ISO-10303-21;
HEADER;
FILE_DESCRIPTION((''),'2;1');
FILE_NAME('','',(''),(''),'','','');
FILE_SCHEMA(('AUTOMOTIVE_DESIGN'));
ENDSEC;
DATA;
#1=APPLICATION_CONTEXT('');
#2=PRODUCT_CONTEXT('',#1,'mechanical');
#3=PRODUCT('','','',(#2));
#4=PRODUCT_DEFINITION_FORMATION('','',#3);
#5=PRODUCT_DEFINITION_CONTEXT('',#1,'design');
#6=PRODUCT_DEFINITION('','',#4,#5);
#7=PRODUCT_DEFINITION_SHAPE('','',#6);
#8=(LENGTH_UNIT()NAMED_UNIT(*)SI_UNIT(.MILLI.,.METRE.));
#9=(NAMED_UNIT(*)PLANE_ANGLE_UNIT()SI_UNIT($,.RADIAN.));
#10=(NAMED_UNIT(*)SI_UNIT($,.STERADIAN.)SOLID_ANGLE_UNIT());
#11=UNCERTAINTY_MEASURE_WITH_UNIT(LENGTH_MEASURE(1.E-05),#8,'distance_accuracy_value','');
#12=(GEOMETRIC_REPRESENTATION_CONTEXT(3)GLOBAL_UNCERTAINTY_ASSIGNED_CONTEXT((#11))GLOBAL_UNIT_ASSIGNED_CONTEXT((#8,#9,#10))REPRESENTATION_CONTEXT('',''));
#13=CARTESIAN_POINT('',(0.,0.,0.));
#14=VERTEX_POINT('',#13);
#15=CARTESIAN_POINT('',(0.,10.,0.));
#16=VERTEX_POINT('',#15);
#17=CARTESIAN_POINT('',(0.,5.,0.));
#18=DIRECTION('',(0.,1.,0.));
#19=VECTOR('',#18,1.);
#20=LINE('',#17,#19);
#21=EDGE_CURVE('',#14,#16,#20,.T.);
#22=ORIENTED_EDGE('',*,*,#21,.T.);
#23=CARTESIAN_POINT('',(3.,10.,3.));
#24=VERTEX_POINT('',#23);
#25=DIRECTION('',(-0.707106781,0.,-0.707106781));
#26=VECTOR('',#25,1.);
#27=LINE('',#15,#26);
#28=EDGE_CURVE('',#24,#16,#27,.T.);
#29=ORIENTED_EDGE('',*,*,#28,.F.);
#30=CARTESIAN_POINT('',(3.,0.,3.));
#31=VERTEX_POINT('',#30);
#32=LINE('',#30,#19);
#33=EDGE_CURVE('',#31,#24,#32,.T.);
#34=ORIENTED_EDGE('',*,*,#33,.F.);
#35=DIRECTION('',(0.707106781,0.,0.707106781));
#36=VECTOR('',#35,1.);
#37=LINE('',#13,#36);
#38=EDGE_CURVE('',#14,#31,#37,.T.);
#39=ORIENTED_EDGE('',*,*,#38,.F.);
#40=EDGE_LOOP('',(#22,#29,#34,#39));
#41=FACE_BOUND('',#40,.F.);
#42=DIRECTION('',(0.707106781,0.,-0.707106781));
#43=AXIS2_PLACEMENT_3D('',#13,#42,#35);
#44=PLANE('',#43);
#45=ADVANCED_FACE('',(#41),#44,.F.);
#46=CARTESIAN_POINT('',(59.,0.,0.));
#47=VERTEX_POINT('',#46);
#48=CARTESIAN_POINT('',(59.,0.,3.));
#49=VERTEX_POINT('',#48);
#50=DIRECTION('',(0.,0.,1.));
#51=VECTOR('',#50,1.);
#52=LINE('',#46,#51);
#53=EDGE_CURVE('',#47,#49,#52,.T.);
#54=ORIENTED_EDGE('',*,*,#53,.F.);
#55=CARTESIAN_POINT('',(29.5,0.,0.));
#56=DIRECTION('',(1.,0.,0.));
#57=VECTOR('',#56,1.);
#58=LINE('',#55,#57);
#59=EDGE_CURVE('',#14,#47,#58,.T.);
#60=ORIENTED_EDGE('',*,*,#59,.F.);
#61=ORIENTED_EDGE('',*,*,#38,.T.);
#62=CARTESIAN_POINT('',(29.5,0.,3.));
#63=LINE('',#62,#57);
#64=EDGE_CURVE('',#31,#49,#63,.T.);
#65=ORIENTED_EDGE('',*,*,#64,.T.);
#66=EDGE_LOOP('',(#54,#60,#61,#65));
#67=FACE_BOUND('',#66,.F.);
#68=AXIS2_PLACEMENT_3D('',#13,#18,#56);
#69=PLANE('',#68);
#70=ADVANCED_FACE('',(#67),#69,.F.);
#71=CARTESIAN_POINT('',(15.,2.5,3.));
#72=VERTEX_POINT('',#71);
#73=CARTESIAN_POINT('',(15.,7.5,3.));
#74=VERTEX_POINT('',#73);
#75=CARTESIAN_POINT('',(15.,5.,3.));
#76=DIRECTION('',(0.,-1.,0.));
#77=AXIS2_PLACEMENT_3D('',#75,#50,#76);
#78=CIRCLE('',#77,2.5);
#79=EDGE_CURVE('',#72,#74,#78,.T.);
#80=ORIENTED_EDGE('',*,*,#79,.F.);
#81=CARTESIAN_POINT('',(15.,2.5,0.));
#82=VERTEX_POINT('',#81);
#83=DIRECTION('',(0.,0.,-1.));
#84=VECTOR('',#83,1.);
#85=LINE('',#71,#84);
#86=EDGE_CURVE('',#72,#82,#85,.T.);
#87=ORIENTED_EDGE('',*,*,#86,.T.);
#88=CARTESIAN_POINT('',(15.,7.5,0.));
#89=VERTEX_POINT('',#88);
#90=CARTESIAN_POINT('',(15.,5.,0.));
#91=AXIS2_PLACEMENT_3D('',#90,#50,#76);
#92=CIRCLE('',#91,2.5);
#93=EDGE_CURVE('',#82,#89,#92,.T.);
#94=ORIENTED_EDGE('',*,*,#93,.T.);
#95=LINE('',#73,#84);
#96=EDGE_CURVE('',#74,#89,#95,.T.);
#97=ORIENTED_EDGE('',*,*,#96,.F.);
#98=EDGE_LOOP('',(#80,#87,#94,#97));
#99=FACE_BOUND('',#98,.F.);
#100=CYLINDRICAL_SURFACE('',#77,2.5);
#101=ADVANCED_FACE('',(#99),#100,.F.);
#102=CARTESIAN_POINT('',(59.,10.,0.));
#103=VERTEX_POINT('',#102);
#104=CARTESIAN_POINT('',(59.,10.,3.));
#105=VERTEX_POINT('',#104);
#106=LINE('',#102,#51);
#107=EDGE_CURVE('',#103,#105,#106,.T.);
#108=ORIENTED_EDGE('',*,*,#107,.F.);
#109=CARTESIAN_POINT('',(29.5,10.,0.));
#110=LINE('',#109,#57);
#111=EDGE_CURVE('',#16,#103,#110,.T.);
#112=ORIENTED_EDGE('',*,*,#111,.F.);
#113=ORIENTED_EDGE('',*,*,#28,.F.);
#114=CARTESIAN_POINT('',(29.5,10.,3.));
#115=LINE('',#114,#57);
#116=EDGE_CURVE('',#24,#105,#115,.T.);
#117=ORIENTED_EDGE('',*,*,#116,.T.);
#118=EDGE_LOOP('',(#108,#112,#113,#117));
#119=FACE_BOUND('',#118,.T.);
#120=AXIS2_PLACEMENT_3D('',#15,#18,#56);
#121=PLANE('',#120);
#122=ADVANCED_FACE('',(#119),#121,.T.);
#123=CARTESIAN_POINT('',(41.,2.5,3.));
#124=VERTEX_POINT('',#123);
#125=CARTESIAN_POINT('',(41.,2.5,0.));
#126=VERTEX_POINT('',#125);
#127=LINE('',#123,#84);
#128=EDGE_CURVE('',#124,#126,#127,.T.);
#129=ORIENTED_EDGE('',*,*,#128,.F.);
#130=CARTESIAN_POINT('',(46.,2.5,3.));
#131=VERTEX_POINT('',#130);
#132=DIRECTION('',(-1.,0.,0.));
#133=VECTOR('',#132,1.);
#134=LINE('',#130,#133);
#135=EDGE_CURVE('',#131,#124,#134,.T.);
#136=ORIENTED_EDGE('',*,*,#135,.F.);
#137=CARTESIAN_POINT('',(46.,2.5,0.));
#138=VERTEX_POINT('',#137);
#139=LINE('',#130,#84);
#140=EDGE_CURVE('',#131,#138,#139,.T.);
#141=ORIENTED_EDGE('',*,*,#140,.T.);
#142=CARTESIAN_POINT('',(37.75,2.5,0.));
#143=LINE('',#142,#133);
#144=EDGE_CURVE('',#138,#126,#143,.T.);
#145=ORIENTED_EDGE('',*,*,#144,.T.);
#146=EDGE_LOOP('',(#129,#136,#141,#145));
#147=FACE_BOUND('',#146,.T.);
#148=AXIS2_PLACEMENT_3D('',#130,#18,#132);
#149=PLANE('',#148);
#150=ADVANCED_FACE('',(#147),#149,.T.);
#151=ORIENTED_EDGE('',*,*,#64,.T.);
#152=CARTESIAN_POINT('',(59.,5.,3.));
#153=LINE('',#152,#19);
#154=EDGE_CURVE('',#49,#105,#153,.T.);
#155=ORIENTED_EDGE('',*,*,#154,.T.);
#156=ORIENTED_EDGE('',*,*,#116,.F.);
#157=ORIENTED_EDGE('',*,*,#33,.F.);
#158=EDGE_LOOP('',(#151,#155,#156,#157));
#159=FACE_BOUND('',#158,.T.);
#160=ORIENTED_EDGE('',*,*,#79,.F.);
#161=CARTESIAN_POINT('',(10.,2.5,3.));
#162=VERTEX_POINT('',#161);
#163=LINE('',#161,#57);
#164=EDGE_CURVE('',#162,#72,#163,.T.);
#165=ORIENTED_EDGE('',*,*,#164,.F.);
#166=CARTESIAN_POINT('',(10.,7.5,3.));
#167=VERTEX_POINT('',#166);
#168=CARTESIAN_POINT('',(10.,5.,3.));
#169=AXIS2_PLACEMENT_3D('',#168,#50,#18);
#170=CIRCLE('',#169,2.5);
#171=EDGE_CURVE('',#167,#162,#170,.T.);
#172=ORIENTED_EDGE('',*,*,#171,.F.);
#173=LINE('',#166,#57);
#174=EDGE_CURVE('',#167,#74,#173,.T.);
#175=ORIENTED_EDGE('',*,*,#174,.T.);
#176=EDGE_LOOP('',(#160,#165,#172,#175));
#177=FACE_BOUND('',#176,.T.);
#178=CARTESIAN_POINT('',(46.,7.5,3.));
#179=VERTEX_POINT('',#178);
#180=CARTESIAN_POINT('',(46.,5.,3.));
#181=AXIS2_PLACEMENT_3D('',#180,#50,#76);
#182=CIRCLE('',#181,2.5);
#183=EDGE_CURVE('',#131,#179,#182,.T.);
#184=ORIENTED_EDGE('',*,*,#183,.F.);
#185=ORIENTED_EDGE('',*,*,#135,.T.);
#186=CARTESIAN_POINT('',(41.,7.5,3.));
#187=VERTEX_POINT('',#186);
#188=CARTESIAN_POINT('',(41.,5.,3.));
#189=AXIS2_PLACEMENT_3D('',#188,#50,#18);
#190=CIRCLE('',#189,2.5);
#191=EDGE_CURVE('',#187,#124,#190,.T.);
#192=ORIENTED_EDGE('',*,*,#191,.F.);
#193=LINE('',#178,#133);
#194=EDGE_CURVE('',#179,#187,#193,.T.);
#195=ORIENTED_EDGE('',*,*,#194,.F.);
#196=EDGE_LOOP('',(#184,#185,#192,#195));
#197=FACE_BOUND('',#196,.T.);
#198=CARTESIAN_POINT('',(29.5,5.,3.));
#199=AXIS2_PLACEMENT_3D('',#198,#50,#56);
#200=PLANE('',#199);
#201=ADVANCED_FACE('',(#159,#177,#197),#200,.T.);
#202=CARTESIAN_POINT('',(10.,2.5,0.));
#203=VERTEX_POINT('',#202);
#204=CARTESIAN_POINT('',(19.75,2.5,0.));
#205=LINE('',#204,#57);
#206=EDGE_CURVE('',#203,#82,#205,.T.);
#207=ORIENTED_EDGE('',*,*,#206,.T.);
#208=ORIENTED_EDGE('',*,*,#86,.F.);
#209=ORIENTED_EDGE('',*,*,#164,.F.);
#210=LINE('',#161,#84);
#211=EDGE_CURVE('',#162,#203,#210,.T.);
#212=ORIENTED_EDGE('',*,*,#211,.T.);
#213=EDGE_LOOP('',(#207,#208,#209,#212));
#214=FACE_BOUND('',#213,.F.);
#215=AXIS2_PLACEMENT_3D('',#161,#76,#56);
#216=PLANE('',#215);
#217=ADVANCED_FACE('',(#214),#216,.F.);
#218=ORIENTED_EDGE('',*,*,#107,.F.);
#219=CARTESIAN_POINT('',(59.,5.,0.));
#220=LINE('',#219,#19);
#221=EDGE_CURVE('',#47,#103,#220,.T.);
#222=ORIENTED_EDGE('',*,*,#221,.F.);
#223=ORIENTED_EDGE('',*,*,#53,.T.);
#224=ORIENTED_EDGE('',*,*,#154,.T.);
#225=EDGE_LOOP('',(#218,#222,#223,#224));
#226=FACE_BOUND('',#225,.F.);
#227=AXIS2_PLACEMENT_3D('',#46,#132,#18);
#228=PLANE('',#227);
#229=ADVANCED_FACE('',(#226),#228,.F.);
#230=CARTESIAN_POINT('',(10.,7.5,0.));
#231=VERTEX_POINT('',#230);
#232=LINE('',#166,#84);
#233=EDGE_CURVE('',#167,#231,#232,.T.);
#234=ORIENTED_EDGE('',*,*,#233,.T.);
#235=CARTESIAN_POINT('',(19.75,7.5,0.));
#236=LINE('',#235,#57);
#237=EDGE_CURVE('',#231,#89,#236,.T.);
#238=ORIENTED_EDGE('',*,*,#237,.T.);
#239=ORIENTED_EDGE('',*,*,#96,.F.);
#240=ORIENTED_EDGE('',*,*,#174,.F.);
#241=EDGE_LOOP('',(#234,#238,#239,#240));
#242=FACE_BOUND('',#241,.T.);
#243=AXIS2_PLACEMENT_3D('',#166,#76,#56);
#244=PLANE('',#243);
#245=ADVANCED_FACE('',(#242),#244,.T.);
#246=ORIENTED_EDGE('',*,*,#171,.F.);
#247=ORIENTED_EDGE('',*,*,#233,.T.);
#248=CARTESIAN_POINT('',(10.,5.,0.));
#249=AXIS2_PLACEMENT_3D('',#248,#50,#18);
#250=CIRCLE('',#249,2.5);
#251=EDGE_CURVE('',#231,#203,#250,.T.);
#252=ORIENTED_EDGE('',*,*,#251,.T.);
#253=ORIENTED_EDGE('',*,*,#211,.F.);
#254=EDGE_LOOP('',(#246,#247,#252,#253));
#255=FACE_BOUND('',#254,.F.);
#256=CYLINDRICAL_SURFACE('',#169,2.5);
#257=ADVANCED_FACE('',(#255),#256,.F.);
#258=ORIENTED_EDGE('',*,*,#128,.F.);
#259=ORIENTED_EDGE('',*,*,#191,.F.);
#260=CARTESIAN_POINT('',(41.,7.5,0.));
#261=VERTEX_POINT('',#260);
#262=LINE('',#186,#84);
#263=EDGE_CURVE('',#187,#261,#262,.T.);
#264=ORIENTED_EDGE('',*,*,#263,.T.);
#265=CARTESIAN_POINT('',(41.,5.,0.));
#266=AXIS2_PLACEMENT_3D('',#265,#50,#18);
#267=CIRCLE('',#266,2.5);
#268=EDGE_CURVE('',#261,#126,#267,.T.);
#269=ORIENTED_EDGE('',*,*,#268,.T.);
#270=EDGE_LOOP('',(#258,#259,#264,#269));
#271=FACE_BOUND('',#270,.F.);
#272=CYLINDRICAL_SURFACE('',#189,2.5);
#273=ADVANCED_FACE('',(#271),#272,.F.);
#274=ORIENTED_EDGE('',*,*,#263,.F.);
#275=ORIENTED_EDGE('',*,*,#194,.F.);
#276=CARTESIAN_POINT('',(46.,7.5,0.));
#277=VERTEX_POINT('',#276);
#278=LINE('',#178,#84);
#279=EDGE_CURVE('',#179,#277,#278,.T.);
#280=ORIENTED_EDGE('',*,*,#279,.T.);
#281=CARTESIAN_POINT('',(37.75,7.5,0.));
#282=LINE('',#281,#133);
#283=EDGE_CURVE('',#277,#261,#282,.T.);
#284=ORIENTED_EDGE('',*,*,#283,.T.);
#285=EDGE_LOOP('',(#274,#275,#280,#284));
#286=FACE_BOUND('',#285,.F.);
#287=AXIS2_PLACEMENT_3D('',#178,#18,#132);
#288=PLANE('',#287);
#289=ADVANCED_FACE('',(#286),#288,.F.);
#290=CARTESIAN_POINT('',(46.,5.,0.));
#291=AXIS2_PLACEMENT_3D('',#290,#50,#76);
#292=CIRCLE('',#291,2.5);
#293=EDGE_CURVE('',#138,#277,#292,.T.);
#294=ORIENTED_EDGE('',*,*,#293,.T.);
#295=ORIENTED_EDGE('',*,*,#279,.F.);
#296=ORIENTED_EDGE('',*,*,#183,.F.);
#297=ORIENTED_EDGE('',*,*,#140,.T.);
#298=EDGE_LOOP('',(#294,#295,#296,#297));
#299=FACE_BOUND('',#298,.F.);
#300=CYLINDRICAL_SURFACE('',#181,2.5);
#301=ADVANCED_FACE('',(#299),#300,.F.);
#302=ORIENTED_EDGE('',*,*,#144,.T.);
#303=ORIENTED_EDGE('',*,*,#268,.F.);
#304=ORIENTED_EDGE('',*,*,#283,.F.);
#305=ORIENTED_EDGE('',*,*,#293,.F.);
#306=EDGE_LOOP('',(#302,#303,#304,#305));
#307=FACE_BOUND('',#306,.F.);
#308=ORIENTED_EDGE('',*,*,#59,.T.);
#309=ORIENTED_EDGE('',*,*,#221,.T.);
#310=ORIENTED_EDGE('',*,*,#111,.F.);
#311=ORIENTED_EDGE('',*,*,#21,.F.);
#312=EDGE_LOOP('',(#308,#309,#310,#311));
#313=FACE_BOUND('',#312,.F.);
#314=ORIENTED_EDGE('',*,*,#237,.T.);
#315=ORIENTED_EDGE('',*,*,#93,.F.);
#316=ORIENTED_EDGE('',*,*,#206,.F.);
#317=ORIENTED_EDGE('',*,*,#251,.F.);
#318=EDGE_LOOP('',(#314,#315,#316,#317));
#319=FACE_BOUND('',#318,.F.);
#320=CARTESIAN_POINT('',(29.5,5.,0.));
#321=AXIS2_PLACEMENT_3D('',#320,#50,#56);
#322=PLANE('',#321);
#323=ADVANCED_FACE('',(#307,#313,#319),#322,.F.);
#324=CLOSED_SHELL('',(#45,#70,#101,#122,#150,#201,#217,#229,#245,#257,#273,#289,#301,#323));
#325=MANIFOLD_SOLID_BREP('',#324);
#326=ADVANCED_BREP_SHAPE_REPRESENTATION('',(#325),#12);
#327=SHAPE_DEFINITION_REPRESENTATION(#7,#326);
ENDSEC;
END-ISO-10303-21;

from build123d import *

# Parameters (mm, degrees)
SKETCH_W        = 59
SKETCH_H        = 10
PAD_DEPTH       = 3
POCKET_DEPTH    = 10.001
POCKET001_DEPTH = 3.001


with BuildPart() as part:
    # Sketch → Pad (new body)
    with BuildSketch(Plane.XY):
        with Locations((29.5, 5)):
            Rectangle(SKETCH_W, SKETCH_H)
    extrude(amount=PAD_DEPTH)

    # Sketch001 (on Face3 of Pad) → Pocket (cut, through all)
    with BuildSketch(Plane.XZ):
        Polygon((0, 0), (3, 3), (0, 3), align=None)
    extrude(amount=-POCKET_DEPTH, mode=Mode.SUBTRACT)

    # Sketch002 (on Face4 of Pocket) → Pocket001 (cut, through all)
    with BuildSketch(Plane.XY.offset(3)):
        with BuildLine():
            ThreePointArc((10, 7.5), (7.5, 5), (10, 2.5))
            Line((10, 2.5), (15, 2.5))
            ThreePointArc((15, 2.5), (17.5, 5), (15, 7.5))
            Line((10, 7.5), (15, 7.5))
        make_face()
        with BuildLine():
            ThreePointArc((46, 2.5), (48.5, 5), (46, 7.5))
            Line((46, 7.5), (41, 7.5))
            ThreePointArc((41, 7.5), (38.5, 5), (41, 2.5))
            Line((46, 2.5), (41, 2.5))
        make_face()
    extrude(amount=-POCKET001_DEPTH, mode=Mode.SUBTRACT)


solid = part.part
